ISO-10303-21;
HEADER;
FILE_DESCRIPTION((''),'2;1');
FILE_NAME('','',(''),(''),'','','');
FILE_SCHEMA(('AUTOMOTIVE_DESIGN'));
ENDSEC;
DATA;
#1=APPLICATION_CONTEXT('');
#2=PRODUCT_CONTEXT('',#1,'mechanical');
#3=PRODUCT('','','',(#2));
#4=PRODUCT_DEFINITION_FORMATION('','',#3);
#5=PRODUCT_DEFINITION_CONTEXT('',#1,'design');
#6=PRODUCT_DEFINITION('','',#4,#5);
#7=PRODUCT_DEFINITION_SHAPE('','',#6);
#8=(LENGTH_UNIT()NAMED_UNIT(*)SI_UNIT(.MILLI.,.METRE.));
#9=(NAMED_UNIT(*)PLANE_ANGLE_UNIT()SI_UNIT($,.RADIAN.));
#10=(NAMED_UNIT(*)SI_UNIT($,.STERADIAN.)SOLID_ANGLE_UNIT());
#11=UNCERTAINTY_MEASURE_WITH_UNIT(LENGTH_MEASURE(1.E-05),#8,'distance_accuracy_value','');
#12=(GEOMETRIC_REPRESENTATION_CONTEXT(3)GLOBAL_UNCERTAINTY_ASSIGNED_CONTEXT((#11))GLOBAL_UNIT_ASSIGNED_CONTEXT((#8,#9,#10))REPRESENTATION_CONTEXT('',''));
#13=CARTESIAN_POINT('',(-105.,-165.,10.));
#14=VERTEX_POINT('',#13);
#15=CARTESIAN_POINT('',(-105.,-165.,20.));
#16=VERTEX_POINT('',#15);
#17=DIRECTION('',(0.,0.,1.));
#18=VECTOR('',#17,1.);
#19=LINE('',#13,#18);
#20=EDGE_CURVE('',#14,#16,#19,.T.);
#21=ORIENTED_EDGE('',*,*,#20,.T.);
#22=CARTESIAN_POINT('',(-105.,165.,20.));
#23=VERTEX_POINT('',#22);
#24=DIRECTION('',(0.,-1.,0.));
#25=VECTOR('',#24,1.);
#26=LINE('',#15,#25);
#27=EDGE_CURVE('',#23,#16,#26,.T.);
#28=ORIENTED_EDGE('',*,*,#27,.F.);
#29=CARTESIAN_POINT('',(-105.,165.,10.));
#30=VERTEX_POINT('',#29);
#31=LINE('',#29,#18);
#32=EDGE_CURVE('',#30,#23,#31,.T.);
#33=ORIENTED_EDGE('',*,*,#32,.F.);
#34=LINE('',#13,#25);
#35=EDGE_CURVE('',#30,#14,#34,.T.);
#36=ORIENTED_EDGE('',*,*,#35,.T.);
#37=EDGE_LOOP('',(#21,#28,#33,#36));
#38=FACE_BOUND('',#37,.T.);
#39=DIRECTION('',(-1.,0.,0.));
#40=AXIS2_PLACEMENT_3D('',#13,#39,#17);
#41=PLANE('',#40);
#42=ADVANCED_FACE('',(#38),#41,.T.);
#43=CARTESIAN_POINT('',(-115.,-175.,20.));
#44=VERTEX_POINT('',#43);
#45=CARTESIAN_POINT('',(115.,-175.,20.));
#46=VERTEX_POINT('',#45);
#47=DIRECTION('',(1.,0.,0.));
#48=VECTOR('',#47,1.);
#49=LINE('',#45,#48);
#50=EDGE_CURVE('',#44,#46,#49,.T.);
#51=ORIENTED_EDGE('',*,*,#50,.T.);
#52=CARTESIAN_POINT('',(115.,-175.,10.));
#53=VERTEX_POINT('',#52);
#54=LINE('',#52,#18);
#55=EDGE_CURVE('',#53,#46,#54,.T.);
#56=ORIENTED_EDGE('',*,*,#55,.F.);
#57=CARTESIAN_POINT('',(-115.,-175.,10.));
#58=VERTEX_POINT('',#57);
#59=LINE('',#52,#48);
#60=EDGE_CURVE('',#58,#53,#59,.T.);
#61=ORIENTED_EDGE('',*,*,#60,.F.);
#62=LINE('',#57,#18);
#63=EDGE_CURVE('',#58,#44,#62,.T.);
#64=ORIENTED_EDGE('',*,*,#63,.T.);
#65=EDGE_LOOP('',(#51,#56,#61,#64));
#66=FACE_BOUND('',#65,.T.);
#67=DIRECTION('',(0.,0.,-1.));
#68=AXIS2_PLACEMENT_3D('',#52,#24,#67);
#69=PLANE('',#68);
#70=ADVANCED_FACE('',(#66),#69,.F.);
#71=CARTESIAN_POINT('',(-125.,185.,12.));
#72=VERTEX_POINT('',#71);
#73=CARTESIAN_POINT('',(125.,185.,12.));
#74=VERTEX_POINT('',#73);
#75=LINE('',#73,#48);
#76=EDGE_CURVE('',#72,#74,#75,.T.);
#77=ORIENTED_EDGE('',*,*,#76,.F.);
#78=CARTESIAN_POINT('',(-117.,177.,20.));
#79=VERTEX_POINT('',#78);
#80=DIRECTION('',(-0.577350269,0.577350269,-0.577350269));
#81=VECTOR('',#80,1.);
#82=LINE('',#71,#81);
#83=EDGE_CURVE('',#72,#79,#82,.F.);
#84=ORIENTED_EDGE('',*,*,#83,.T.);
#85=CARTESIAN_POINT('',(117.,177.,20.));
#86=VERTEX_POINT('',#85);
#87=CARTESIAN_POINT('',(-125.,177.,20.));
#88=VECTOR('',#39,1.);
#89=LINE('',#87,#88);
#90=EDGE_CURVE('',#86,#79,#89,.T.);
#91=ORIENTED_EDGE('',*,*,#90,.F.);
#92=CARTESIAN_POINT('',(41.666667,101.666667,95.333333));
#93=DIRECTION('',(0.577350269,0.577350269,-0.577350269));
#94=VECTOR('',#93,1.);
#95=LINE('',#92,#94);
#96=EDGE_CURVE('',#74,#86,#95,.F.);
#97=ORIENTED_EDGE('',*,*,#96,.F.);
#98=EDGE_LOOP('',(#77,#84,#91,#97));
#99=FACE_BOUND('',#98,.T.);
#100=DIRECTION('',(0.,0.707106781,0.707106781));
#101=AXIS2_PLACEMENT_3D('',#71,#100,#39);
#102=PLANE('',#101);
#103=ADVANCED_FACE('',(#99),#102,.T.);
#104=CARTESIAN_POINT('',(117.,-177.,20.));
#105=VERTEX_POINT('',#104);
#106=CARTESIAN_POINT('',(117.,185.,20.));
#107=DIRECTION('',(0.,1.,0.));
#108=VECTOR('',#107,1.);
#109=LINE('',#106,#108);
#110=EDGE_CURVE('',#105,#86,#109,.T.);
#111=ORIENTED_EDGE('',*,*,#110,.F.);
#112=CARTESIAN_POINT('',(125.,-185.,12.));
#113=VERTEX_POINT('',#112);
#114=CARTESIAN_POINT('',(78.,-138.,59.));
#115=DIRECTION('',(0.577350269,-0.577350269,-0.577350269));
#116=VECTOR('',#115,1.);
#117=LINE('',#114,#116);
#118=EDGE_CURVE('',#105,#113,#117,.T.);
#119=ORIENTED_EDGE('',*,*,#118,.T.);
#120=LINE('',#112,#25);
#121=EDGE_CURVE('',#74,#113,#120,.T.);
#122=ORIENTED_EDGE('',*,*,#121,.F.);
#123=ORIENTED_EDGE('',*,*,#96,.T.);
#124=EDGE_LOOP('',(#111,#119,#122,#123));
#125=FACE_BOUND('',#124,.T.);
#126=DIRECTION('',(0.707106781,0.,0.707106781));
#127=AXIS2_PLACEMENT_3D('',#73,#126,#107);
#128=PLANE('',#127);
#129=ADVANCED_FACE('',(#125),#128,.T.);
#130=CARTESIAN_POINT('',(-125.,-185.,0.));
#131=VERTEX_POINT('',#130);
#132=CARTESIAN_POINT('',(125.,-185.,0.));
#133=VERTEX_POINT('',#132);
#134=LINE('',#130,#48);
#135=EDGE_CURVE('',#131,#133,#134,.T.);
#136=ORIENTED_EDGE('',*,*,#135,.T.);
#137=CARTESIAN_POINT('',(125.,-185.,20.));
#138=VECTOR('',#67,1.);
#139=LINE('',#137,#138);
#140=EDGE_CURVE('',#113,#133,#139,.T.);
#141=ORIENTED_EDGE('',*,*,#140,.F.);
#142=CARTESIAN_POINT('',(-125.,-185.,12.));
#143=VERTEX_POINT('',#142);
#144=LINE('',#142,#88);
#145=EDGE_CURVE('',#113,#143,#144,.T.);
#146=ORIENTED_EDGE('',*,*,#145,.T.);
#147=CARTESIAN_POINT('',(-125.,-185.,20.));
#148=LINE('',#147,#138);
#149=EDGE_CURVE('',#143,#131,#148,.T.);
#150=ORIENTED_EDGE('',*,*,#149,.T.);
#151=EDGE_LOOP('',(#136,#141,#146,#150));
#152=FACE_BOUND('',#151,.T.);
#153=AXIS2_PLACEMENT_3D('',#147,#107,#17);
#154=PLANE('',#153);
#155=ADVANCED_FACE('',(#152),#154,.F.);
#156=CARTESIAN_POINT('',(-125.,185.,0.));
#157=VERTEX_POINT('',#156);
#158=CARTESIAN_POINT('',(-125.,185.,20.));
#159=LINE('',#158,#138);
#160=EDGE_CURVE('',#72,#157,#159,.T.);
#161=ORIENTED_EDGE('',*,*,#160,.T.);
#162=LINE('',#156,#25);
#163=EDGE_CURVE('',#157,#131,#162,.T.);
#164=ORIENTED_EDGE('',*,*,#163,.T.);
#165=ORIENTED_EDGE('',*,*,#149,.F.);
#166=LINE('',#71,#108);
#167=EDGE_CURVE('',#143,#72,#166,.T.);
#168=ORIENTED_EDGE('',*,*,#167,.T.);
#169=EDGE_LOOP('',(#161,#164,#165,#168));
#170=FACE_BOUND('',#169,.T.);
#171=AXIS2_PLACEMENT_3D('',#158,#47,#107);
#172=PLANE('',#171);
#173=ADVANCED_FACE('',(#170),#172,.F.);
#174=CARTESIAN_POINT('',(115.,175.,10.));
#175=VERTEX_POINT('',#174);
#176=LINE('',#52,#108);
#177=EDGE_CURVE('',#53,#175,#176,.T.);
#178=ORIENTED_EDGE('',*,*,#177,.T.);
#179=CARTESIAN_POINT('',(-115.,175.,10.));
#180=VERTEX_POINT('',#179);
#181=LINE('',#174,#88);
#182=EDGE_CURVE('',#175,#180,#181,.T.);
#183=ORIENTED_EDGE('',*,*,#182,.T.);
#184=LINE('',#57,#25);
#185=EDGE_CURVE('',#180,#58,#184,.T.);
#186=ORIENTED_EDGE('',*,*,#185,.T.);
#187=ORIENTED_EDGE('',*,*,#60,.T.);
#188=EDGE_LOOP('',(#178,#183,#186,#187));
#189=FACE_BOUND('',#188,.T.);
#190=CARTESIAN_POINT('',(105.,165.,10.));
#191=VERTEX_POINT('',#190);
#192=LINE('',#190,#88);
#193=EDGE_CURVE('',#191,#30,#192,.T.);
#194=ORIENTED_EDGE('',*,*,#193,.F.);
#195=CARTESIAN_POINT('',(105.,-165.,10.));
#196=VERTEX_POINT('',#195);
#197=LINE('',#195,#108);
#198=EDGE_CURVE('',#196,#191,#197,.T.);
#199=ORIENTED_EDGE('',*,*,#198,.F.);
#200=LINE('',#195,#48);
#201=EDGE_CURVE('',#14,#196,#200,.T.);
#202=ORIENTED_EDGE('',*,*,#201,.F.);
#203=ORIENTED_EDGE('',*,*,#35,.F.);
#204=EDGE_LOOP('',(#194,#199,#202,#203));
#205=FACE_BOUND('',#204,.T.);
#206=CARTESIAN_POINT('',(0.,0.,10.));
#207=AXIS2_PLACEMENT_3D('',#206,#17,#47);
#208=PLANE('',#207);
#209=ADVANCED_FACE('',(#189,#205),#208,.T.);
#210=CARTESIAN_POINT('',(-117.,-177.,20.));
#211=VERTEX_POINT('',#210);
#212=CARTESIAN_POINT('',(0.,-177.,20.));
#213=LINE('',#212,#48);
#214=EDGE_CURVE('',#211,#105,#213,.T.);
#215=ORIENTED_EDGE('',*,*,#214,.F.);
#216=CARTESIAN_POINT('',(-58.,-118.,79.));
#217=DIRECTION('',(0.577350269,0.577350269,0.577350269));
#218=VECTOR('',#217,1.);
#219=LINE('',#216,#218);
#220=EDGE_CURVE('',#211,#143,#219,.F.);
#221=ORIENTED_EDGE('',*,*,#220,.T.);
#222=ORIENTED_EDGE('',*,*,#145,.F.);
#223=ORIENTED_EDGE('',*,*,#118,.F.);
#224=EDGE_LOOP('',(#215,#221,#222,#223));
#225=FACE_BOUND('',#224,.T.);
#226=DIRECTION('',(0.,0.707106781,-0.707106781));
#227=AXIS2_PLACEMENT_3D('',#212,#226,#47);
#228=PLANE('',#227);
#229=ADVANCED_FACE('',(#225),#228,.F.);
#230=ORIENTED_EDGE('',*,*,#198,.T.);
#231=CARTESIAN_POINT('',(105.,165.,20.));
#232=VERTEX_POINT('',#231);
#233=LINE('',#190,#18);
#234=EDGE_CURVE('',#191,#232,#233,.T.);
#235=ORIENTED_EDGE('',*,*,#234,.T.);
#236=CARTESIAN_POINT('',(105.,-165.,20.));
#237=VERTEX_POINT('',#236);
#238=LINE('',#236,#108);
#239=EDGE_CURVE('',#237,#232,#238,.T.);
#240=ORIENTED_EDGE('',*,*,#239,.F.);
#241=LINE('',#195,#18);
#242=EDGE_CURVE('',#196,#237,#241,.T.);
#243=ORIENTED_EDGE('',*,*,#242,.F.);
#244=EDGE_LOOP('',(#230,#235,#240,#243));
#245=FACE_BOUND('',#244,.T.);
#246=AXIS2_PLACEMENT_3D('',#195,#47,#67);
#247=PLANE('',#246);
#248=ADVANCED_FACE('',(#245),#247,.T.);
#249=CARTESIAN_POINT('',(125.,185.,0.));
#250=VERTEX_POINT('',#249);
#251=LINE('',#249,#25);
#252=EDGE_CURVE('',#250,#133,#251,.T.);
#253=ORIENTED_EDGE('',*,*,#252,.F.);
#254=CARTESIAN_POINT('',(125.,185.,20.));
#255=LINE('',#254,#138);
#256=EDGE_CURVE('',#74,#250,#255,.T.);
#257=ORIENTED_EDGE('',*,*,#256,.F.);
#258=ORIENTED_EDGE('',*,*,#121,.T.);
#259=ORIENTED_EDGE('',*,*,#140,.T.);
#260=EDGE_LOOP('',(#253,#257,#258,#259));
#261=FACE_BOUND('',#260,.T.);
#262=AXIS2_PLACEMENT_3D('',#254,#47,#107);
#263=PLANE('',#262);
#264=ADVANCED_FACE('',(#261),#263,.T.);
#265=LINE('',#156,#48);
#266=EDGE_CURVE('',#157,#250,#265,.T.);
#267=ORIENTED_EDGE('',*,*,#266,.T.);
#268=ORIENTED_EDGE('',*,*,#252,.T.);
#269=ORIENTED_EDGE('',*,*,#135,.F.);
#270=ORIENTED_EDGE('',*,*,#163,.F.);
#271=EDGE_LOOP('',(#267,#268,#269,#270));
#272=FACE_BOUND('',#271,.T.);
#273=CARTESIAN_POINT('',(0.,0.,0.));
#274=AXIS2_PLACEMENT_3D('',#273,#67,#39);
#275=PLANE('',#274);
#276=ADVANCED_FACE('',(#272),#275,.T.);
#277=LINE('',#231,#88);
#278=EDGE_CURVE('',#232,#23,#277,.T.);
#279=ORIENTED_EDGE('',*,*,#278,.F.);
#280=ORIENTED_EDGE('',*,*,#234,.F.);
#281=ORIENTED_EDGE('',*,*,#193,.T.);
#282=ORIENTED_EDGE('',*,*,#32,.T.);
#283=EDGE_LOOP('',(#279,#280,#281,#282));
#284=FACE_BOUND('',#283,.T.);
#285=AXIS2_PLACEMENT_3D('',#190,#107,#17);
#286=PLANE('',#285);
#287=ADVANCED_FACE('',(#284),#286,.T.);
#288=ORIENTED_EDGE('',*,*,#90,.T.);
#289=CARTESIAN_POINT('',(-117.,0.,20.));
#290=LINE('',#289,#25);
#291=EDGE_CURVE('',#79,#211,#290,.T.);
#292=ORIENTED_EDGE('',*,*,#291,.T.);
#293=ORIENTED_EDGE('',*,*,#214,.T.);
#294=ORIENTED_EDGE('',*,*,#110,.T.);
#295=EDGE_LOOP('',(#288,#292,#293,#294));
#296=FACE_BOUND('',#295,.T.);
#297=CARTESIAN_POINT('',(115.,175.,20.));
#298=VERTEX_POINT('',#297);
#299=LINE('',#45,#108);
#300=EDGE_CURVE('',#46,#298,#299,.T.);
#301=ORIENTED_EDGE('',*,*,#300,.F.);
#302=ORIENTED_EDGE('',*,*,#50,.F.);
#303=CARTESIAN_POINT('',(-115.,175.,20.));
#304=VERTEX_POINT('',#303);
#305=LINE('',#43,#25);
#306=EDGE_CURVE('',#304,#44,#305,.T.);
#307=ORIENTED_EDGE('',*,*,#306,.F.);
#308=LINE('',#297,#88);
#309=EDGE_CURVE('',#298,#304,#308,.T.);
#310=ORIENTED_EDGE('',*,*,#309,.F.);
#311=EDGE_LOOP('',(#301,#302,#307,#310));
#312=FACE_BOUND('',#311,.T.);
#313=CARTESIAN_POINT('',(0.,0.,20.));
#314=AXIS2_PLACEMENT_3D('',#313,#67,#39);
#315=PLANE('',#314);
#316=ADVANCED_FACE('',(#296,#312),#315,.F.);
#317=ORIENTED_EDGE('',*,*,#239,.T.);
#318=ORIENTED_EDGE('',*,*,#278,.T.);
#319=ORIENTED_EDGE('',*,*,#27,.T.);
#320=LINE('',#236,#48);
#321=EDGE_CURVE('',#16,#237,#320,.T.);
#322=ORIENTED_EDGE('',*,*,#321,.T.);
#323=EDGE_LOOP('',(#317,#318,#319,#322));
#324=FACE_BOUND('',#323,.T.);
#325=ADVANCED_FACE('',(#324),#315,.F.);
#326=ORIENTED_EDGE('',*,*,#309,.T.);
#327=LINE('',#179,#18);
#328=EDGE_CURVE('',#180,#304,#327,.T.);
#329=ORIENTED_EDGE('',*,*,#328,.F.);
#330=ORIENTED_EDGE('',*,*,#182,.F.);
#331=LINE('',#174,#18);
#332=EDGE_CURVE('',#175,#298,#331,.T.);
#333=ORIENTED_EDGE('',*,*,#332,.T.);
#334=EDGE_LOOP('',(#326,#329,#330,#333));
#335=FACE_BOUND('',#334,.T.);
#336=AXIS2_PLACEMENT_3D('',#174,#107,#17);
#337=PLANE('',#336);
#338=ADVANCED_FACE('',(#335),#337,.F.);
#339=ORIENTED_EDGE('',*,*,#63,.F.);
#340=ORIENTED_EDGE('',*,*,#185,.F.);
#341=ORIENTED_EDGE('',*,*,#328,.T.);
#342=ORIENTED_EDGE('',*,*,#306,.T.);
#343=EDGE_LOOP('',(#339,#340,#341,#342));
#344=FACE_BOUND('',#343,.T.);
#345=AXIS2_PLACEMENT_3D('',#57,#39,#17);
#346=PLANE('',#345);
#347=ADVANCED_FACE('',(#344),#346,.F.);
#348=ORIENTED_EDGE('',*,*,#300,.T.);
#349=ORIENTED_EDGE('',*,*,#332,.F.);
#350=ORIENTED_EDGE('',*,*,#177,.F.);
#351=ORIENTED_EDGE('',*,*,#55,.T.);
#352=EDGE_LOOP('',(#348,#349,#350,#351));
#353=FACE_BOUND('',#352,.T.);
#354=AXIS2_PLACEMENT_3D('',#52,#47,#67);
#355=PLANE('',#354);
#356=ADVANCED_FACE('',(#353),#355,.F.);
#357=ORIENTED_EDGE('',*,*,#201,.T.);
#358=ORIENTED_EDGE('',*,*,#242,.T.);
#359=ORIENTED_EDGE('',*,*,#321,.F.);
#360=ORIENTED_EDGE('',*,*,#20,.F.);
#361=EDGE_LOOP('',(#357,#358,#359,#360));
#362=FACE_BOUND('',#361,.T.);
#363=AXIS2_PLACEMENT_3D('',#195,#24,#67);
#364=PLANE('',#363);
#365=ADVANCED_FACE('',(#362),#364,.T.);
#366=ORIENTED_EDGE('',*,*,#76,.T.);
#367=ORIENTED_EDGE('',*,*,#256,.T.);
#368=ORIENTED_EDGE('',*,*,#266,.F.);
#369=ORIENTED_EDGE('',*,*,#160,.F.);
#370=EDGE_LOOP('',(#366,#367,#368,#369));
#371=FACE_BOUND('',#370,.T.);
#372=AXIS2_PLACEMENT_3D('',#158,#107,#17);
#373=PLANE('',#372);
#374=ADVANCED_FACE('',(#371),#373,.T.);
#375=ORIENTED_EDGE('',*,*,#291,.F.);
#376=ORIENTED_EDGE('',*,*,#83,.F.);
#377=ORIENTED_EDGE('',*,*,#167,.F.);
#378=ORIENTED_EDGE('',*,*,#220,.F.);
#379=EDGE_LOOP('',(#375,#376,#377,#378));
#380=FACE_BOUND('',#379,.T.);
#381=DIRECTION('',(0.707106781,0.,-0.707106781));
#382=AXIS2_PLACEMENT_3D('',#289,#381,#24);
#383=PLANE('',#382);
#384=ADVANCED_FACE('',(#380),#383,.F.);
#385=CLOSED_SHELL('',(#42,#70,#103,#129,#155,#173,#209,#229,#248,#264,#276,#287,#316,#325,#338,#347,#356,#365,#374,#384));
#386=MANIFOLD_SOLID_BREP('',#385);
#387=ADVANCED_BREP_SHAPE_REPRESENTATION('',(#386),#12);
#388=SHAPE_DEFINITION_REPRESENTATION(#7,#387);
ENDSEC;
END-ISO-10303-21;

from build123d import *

# Parameters (mm, degrees)
SKETCH_1_W          = 250
SKETCH_1_H          = 370
EXTRUDE_1_DEPTH     = 20
CHAMFER_1_SIZE      = 8
SKETCH_2_W          = 230
SKETCH_2_H          = 350
SKETCH_2_W_2        = 210
SKETCH_2_H_2        = 330
CUT_EXTRUDE_1_DEPTH = 10


with BuildPart() as part:
    # Эскиз1 → Бобышка-Вытянуть1 (new body)
    with BuildSketch(Plane.XY):
        Rectangle(SKETCH_1_W, SKETCH_1_H)
    extrude(amount=EXTRUDE_1_DEPTH)

    # Фаска1
    chamfer_1_edges = [part.edges().sort_by_distance(p)[0] for p in [
        (0, -185, 20),
        (-125, 0, 20),
        (0, 185, 20),
        (125, 0, 20),
    ]]
    chamfer(chamfer_1_edges, length=CHAMFER_1_SIZE)

    # Эскиз2 → Вырез-Вытянуть1 (cut)
    with BuildSketch(Plane.XY.offset(20)):
        Rectangle(SKETCH_2_W, SKETCH_2_H)
        Rectangle(SKETCH_2_W_2, SKETCH_2_H_2, mode=Mode.SUBTRACT)
    extrude(amount=-CUT_EXTRUDE_1_DEPTH, mode=Mode.SUBTRACT)


solid = part.part
